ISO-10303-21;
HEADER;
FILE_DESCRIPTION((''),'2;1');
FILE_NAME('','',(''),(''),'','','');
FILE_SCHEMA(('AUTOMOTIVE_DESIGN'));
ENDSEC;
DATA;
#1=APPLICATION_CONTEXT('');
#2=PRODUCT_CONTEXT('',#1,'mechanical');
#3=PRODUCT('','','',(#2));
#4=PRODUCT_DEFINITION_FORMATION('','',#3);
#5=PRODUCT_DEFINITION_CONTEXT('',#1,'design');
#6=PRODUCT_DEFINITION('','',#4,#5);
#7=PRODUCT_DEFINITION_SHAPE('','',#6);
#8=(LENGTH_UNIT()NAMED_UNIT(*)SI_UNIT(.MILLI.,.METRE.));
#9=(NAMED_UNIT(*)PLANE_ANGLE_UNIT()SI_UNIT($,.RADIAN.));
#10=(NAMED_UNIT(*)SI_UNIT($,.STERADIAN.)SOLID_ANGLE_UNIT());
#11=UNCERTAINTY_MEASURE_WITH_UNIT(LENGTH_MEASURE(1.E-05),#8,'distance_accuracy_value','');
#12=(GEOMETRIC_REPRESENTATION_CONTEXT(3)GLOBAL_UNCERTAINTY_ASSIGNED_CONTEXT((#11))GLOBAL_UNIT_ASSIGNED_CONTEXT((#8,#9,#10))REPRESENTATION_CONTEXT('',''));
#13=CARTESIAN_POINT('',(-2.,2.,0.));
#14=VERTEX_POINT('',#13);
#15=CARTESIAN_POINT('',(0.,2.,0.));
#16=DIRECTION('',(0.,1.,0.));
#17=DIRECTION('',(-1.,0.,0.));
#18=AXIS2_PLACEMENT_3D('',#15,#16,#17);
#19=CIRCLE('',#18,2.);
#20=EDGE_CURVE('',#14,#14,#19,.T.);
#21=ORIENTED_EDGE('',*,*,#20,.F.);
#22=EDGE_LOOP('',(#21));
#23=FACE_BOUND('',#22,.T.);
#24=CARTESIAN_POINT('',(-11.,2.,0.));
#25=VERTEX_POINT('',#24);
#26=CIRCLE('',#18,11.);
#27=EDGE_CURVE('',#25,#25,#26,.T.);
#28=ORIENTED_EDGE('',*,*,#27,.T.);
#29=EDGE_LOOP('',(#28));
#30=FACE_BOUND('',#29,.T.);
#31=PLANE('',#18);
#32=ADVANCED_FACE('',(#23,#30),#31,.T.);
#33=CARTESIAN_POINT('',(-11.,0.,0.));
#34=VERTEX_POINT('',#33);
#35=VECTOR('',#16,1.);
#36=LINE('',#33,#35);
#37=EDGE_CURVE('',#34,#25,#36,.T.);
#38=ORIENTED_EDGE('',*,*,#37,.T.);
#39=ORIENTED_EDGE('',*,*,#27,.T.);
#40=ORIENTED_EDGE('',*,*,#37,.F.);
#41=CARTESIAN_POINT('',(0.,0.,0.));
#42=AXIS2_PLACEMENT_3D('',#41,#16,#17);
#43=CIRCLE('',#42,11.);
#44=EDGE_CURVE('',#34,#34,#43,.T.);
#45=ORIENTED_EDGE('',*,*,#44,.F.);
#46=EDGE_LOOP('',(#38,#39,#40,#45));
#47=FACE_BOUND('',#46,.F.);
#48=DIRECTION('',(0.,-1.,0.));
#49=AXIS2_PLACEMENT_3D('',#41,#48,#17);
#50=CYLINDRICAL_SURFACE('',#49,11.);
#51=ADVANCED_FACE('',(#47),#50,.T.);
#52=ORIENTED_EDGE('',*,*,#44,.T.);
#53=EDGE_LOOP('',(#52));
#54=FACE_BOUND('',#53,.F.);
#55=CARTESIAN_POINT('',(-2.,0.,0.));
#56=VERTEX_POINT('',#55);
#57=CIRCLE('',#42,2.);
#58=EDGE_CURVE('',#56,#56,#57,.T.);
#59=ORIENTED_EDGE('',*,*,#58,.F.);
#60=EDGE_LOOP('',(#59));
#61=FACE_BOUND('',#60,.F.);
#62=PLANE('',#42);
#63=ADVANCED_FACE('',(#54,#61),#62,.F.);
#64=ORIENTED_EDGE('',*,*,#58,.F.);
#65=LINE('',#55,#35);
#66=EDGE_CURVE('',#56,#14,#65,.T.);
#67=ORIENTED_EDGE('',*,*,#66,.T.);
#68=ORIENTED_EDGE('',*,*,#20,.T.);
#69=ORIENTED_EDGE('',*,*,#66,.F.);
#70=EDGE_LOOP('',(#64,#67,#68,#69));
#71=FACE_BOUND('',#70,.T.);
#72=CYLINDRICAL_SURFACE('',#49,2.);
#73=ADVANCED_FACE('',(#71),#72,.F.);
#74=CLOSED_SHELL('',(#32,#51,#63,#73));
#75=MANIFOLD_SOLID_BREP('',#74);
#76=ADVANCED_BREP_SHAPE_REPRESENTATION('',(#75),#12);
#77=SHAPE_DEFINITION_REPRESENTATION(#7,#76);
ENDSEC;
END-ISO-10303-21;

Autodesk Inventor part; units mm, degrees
ref_plane "YZ Plane" through (0, 0, 0) normal (1, 0, 0) x (0, 1, 0)
ref_plane "XZ Plane" through (0, 0, 0) normal (0, 1, 0) x (-1, 0, 0)
ref_plane "XY Plane" through (0, 0, 0) normal (0, 0, 1) x (1, 0, 0)
sketch "Sketch1" plane through (0, 0, 0) normal (0, 1, 0) x (-1, 0, 0)
  circle A0 centre (0, 0) radius 11
  circle A1 centre (0, 0) radius 2
  dimension "d0" = 22
  dimension "d1" = 4
extrude "Extrusion1" add sketch "Sketch1" along normal blind 2
properties part number "Plate_V"
